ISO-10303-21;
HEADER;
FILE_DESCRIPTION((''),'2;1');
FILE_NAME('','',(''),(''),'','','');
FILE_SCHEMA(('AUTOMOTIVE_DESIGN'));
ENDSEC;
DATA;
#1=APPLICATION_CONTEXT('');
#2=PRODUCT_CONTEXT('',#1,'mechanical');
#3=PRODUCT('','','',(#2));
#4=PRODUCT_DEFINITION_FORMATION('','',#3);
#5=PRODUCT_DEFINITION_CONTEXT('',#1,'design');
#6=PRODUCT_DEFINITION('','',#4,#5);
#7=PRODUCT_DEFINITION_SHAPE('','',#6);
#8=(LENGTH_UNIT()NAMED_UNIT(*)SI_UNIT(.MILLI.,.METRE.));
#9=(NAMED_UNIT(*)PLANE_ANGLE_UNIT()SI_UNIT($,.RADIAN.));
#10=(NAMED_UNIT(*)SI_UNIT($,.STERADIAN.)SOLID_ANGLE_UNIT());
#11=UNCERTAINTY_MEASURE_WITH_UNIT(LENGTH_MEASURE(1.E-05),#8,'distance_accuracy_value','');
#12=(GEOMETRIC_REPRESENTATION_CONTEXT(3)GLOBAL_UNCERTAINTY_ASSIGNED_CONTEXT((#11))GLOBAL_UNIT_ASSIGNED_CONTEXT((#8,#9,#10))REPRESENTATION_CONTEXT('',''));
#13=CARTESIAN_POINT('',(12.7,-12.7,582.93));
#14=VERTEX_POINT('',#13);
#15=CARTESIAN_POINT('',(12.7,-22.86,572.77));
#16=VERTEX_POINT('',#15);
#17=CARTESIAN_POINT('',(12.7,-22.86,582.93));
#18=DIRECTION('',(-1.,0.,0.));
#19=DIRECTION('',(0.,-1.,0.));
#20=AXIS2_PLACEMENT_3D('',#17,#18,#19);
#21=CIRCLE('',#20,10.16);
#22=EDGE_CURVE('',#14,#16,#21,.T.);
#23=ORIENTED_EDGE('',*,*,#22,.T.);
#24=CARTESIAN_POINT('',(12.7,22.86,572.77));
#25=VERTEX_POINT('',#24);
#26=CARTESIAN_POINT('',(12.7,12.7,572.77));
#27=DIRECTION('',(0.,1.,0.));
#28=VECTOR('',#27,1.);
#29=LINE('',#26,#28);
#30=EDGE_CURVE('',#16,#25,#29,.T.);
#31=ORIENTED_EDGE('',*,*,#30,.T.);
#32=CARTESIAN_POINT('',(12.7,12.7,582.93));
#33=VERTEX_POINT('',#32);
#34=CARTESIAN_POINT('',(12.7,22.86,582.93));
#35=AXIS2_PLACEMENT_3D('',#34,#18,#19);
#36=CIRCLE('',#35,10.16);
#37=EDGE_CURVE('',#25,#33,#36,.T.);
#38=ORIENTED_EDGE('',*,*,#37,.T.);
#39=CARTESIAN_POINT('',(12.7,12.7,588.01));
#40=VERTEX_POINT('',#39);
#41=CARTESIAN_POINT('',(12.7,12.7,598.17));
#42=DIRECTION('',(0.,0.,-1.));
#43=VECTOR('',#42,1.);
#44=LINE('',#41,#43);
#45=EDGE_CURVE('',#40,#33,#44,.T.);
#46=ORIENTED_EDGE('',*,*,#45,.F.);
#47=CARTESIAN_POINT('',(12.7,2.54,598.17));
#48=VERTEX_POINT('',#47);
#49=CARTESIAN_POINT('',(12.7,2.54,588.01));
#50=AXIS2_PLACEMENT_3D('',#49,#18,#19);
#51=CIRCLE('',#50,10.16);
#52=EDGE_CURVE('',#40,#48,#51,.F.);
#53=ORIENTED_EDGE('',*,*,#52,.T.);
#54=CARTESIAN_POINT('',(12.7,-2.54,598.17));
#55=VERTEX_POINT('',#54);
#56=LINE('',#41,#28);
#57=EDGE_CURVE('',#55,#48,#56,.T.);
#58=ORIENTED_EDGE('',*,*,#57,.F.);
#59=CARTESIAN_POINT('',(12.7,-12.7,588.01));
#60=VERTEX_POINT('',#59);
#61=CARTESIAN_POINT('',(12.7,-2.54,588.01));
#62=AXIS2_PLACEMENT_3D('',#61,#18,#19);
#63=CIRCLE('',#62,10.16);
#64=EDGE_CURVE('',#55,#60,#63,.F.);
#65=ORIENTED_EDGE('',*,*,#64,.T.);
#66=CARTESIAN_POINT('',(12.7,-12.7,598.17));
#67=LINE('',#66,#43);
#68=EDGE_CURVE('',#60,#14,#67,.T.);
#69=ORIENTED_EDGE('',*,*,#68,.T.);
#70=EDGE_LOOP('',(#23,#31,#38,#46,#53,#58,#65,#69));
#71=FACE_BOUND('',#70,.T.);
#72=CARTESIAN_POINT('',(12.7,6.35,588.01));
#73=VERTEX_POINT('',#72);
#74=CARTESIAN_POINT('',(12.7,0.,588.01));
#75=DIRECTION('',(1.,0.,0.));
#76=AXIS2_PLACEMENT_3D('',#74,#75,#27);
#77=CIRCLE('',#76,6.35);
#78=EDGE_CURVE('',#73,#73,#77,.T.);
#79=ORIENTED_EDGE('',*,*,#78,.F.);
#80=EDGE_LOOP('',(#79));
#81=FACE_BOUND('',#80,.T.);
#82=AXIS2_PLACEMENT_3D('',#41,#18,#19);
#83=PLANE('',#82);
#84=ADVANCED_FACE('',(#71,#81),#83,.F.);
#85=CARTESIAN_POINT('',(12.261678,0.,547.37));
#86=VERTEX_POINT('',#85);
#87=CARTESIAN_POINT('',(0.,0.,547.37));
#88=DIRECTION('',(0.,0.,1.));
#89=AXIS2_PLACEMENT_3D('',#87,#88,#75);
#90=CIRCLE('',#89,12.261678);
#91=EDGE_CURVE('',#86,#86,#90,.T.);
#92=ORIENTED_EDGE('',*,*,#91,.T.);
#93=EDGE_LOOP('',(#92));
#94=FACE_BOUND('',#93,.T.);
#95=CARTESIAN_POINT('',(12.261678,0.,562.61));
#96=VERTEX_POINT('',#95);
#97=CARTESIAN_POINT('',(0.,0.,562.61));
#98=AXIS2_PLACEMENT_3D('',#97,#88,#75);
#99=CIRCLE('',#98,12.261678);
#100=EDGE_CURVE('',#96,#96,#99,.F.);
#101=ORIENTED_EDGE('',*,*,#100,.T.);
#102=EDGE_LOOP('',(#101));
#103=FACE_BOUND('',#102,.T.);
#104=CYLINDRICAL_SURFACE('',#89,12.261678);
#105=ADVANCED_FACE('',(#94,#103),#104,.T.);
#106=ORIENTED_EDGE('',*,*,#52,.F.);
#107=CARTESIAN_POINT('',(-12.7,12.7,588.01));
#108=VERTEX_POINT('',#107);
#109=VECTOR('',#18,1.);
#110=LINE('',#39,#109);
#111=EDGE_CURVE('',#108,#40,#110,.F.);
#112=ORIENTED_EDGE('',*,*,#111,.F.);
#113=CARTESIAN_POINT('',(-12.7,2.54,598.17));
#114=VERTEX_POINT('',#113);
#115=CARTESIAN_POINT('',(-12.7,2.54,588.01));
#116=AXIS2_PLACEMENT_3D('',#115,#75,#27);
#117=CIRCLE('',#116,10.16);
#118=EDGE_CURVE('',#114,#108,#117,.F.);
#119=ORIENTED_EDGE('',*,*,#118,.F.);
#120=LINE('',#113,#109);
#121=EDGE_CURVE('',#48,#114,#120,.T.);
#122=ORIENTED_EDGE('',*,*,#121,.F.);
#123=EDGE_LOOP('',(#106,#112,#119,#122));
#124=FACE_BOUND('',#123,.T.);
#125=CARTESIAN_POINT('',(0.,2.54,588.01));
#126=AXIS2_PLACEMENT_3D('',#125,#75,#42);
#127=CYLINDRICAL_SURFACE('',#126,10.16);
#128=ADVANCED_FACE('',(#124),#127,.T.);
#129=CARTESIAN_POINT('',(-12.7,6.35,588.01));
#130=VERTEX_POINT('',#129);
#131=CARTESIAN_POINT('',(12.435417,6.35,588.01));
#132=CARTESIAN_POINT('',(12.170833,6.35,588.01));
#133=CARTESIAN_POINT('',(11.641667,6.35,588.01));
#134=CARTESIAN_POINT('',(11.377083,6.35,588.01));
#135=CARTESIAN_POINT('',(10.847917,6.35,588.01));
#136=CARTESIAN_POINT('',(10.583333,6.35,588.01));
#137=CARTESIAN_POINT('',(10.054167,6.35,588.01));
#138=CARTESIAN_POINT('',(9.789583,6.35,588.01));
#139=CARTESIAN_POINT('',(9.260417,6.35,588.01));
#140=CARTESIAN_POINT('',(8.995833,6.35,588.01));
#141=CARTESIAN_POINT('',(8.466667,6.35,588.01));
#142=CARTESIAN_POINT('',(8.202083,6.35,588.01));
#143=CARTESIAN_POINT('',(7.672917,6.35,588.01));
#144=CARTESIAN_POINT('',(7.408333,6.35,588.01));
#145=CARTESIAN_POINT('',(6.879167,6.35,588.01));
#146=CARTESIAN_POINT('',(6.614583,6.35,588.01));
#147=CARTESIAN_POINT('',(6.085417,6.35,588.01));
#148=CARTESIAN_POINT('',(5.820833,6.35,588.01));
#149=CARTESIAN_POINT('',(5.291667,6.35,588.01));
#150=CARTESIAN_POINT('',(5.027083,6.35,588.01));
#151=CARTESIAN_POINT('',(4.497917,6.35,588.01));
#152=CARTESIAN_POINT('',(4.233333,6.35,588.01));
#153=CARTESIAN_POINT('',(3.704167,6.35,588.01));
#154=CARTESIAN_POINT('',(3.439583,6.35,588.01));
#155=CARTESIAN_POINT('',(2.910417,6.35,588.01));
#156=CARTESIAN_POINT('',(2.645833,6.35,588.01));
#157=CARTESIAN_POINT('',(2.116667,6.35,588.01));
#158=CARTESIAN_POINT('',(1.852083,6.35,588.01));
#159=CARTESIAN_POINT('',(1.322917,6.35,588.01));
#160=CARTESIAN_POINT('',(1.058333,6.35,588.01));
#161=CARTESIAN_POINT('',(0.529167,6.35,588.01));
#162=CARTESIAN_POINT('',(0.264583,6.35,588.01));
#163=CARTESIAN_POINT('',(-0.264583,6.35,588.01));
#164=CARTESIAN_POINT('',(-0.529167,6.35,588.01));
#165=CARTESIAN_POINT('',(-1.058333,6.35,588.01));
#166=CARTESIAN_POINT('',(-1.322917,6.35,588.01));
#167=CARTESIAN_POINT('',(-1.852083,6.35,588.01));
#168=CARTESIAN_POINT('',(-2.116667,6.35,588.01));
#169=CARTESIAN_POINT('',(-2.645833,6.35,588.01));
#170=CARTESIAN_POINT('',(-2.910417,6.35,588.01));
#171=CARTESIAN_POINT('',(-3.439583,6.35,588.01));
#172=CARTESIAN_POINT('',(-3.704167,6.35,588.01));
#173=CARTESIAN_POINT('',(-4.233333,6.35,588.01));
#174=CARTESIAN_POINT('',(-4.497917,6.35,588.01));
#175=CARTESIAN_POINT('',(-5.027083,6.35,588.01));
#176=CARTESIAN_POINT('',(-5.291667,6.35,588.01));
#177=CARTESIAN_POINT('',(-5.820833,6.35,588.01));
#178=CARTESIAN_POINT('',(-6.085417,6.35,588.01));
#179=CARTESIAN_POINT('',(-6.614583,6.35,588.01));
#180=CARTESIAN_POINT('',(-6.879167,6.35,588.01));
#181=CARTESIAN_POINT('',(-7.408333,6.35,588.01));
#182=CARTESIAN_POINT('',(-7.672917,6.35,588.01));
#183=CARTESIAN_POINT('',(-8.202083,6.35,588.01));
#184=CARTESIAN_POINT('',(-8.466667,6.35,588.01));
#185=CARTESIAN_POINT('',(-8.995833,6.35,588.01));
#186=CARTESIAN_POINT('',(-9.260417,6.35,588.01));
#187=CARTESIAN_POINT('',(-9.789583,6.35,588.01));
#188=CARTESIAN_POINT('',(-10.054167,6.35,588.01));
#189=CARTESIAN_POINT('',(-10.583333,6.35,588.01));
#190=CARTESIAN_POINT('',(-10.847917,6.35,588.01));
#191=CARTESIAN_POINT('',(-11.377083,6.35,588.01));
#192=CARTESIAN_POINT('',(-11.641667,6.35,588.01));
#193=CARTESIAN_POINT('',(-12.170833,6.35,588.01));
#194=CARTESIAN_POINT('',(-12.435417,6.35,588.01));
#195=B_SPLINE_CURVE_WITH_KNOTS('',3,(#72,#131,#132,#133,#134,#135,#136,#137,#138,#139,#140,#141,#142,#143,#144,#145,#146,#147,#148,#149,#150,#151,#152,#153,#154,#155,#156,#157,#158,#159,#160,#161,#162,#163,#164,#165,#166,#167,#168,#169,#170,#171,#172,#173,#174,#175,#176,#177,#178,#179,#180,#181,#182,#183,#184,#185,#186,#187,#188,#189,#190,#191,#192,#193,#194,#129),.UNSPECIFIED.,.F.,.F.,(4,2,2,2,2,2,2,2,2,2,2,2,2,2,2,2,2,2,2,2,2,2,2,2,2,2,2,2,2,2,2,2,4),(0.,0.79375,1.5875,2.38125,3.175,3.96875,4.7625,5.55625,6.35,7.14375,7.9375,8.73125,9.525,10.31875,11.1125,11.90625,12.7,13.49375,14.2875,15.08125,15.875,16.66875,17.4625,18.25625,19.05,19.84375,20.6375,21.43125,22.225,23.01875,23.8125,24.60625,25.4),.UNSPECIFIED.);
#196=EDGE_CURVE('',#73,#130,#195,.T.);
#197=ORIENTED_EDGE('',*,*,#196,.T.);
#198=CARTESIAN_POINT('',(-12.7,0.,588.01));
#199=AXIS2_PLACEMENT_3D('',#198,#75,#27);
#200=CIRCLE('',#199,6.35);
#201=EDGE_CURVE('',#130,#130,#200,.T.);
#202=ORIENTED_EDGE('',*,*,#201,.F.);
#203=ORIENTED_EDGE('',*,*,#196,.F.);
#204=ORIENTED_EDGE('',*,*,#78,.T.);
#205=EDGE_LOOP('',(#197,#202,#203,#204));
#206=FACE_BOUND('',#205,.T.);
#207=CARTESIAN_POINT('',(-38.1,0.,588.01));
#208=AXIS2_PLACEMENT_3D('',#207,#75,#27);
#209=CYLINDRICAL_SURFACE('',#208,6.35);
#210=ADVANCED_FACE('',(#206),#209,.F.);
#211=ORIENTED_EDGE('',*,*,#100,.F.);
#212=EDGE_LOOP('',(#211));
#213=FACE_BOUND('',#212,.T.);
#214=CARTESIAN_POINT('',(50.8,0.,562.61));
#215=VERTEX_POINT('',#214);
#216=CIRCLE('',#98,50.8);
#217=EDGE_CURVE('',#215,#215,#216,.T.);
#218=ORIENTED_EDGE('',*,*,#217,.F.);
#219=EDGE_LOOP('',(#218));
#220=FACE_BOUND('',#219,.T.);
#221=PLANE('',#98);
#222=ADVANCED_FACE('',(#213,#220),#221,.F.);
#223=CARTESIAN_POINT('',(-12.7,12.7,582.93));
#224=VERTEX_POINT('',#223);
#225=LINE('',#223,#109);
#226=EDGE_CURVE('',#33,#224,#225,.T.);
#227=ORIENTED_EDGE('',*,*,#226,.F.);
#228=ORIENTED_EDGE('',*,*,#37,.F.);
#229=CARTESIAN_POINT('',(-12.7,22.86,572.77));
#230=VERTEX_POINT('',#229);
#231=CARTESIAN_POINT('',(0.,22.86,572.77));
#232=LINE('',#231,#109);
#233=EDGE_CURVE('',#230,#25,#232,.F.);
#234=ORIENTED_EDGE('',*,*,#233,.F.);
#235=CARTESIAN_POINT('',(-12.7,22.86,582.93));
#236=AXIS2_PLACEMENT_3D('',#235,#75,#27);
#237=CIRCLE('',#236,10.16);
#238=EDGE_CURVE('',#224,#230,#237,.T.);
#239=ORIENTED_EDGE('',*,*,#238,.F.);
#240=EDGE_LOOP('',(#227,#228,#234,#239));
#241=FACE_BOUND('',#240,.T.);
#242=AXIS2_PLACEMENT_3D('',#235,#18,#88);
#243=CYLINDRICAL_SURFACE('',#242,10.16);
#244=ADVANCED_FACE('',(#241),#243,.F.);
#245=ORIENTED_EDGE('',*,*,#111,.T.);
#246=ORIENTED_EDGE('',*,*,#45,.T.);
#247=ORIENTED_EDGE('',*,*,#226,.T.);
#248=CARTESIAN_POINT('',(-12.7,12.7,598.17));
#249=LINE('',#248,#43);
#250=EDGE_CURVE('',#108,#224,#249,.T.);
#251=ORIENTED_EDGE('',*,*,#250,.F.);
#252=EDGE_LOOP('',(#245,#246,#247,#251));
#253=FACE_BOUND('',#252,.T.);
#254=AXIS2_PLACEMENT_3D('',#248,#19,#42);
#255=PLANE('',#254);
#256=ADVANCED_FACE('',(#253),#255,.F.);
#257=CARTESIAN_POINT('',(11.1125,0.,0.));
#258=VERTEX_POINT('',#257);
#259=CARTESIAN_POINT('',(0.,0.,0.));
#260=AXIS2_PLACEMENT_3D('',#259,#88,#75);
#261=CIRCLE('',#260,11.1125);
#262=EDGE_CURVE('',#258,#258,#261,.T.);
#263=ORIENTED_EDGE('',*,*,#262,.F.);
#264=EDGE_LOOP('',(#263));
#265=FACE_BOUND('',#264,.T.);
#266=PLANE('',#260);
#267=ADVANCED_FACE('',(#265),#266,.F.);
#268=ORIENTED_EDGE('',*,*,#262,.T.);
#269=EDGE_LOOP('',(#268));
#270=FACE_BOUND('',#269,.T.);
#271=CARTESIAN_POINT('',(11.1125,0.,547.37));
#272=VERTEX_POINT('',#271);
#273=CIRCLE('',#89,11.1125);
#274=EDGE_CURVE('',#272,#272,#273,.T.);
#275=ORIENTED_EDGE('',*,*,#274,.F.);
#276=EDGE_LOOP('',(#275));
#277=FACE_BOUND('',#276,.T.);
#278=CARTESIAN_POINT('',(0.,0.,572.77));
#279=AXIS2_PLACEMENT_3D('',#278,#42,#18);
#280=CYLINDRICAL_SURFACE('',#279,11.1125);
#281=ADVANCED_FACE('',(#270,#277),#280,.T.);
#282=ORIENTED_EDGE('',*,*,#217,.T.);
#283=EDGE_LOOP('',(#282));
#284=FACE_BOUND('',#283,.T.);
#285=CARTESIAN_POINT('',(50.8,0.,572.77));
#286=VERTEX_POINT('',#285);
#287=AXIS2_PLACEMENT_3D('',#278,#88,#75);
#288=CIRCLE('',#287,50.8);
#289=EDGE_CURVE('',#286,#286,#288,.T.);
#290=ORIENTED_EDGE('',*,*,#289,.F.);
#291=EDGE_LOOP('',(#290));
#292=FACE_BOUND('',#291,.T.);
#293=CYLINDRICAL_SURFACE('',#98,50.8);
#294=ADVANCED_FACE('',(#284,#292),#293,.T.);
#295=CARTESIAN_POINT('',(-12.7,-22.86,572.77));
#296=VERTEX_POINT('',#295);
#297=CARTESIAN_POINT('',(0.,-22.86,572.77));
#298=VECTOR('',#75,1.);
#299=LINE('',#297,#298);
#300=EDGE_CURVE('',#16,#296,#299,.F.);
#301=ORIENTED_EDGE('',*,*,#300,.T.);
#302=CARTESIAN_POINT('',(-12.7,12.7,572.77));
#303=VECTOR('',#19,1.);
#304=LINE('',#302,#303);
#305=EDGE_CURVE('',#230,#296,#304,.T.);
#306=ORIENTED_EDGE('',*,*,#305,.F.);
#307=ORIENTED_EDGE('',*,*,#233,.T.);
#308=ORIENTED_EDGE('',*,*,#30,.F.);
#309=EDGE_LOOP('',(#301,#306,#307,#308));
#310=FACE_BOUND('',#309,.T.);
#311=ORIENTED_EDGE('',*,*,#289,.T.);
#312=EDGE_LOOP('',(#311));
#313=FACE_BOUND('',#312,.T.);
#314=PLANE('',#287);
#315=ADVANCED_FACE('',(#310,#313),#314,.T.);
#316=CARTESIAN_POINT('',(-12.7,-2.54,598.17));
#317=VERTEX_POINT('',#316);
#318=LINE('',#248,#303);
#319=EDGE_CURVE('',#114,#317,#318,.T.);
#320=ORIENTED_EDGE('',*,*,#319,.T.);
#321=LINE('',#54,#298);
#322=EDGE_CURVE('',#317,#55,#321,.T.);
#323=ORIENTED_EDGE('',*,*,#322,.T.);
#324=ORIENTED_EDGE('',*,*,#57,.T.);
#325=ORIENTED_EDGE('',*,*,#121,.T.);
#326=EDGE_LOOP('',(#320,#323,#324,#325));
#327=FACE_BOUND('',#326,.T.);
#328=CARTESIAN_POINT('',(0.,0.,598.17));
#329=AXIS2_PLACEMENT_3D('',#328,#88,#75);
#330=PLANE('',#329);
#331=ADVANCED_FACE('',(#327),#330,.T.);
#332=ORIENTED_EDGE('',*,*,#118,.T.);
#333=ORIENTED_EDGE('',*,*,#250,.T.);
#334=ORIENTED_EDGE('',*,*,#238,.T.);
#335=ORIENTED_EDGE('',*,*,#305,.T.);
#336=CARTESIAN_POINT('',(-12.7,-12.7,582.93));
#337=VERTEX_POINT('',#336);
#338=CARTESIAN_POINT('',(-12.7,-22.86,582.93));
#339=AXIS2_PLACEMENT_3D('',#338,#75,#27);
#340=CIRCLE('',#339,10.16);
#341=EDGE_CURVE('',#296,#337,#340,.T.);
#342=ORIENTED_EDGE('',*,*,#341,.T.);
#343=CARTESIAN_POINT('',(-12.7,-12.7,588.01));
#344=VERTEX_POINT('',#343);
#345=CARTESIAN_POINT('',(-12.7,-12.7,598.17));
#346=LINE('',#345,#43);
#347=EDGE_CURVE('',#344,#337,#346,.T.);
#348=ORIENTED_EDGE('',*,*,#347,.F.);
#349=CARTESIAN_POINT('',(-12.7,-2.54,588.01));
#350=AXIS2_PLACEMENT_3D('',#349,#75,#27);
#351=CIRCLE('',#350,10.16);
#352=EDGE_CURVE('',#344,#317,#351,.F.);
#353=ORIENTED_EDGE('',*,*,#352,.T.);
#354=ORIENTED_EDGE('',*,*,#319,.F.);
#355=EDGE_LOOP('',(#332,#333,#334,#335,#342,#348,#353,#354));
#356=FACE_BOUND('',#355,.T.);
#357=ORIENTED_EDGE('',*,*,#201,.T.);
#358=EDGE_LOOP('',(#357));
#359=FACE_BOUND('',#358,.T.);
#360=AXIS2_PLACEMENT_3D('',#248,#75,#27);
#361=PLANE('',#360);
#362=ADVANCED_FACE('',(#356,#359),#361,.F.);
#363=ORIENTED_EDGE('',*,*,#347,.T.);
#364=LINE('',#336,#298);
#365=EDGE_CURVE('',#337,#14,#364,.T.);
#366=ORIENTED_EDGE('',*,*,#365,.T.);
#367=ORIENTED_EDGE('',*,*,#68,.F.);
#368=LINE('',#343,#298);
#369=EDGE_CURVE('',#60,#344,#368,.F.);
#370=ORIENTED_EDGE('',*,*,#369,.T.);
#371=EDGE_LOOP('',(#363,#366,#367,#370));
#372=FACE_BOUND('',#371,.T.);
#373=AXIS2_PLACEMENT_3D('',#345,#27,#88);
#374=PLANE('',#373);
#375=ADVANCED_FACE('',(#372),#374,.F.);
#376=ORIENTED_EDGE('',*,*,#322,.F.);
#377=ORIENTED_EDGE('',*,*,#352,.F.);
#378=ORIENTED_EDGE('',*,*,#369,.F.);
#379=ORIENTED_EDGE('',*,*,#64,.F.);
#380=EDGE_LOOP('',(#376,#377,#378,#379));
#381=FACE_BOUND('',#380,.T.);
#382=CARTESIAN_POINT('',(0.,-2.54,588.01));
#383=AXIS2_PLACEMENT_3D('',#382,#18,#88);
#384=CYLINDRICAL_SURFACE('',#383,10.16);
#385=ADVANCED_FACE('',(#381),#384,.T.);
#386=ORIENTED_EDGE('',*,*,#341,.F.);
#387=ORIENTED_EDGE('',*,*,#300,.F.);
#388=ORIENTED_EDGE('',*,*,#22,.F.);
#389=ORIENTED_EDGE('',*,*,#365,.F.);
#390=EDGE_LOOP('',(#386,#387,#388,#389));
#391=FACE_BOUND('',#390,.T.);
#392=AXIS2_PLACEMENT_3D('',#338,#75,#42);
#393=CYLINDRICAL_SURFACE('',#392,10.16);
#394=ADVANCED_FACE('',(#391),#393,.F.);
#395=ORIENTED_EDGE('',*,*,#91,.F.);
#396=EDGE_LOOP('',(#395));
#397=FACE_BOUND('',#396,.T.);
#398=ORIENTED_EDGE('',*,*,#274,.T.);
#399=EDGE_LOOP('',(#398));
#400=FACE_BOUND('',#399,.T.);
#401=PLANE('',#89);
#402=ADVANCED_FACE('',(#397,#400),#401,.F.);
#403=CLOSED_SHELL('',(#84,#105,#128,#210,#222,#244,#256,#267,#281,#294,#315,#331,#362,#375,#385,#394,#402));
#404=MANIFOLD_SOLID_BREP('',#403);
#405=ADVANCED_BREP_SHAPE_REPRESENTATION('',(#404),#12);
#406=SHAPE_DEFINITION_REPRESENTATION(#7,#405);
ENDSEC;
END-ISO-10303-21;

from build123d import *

# Parameters (mm, degrees)
SKETCH1_R           = 11.1125
BOSS_EXTRUDE1_DEPTH = 572.77
BOSS_EXTRUDE2_START = -25.4
SKETCH2_R           = 12.261678201
SKETCH2_R_2         = 11.1125
BOSS_EXTRUDE2_DEPTH = 25.4
SKETCH6_W           = 25.4
SKETCH6_H           = 25.4
BOSS_EXTRUDE3_DEPTH = 25.4
SKETCH7_R           = 6.35
CUT_EXTRUDE1_DEPTH  = 50.8
SKETCH8_R           = 50.8
BOSS_EXTRUDE4_DEPTH = 10.16
FILLET1_R           = 10.16


with BuildPart() as part:
    # Sketch1 → Boss-Extrude1 (new body)
    with BuildSketch(Plane.XY):
        Circle(SKETCH1_R)
    extrude(amount=BOSS_EXTRUDE1_DEPTH)

    # Sketch2 → Boss-Extrude2 (add)
    with BuildSketch(Plane.XY.offset(572.77).offset(BOSS_EXTRUDE2_START)):
        Circle(SKETCH2_R)
        Circle(SKETCH2_R_2, mode=Mode.SUBTRACT)
    extrude(amount=BOSS_EXTRUDE2_DEPTH)

    # Sketch6 → Boss-Extrude3 (add)
    with BuildSketch(Plane.XY.offset(572.77)):
        Rectangle(SKETCH6_W, SKETCH6_H)
    extrude(amount=BOSS_EXTRUDE3_DEPTH)

    # Sketch7 → Cut-Extrude1 (cut)
    with BuildSketch(Plane(origin=(12.7, 0, 0), x_dir=(0, 0, -1), z_dir=(1, 0, 0))):
        with Locations(Location((-588.01, 0, 0), (0, 0, 90))):
            Circle(SKETCH7_R)
    extrude(amount=-CUT_EXTRUDE1_DEPTH, mode=Mode.SUBTRACT)

    # Sketch8 → Boss-Extrude4 (add)
    with BuildSketch(Plane.XY.offset(572.77)):
        Circle(SKETCH8_R)
    extrude(amount=-BOSS_EXTRUDE4_DEPTH)

    # Fillet1
    fillet1_edges = [part.edges().sort_by_distance(p)[0] for p in [
        (0, 12.7, 572.77),
        (0, -12.7, 572.77),
        (0, 12.7, 598.17),
        (0, -12.7, 598.17),
    ]]
    fillet(fillet1_edges, radius=FILLET1_R)


solid = part.part
